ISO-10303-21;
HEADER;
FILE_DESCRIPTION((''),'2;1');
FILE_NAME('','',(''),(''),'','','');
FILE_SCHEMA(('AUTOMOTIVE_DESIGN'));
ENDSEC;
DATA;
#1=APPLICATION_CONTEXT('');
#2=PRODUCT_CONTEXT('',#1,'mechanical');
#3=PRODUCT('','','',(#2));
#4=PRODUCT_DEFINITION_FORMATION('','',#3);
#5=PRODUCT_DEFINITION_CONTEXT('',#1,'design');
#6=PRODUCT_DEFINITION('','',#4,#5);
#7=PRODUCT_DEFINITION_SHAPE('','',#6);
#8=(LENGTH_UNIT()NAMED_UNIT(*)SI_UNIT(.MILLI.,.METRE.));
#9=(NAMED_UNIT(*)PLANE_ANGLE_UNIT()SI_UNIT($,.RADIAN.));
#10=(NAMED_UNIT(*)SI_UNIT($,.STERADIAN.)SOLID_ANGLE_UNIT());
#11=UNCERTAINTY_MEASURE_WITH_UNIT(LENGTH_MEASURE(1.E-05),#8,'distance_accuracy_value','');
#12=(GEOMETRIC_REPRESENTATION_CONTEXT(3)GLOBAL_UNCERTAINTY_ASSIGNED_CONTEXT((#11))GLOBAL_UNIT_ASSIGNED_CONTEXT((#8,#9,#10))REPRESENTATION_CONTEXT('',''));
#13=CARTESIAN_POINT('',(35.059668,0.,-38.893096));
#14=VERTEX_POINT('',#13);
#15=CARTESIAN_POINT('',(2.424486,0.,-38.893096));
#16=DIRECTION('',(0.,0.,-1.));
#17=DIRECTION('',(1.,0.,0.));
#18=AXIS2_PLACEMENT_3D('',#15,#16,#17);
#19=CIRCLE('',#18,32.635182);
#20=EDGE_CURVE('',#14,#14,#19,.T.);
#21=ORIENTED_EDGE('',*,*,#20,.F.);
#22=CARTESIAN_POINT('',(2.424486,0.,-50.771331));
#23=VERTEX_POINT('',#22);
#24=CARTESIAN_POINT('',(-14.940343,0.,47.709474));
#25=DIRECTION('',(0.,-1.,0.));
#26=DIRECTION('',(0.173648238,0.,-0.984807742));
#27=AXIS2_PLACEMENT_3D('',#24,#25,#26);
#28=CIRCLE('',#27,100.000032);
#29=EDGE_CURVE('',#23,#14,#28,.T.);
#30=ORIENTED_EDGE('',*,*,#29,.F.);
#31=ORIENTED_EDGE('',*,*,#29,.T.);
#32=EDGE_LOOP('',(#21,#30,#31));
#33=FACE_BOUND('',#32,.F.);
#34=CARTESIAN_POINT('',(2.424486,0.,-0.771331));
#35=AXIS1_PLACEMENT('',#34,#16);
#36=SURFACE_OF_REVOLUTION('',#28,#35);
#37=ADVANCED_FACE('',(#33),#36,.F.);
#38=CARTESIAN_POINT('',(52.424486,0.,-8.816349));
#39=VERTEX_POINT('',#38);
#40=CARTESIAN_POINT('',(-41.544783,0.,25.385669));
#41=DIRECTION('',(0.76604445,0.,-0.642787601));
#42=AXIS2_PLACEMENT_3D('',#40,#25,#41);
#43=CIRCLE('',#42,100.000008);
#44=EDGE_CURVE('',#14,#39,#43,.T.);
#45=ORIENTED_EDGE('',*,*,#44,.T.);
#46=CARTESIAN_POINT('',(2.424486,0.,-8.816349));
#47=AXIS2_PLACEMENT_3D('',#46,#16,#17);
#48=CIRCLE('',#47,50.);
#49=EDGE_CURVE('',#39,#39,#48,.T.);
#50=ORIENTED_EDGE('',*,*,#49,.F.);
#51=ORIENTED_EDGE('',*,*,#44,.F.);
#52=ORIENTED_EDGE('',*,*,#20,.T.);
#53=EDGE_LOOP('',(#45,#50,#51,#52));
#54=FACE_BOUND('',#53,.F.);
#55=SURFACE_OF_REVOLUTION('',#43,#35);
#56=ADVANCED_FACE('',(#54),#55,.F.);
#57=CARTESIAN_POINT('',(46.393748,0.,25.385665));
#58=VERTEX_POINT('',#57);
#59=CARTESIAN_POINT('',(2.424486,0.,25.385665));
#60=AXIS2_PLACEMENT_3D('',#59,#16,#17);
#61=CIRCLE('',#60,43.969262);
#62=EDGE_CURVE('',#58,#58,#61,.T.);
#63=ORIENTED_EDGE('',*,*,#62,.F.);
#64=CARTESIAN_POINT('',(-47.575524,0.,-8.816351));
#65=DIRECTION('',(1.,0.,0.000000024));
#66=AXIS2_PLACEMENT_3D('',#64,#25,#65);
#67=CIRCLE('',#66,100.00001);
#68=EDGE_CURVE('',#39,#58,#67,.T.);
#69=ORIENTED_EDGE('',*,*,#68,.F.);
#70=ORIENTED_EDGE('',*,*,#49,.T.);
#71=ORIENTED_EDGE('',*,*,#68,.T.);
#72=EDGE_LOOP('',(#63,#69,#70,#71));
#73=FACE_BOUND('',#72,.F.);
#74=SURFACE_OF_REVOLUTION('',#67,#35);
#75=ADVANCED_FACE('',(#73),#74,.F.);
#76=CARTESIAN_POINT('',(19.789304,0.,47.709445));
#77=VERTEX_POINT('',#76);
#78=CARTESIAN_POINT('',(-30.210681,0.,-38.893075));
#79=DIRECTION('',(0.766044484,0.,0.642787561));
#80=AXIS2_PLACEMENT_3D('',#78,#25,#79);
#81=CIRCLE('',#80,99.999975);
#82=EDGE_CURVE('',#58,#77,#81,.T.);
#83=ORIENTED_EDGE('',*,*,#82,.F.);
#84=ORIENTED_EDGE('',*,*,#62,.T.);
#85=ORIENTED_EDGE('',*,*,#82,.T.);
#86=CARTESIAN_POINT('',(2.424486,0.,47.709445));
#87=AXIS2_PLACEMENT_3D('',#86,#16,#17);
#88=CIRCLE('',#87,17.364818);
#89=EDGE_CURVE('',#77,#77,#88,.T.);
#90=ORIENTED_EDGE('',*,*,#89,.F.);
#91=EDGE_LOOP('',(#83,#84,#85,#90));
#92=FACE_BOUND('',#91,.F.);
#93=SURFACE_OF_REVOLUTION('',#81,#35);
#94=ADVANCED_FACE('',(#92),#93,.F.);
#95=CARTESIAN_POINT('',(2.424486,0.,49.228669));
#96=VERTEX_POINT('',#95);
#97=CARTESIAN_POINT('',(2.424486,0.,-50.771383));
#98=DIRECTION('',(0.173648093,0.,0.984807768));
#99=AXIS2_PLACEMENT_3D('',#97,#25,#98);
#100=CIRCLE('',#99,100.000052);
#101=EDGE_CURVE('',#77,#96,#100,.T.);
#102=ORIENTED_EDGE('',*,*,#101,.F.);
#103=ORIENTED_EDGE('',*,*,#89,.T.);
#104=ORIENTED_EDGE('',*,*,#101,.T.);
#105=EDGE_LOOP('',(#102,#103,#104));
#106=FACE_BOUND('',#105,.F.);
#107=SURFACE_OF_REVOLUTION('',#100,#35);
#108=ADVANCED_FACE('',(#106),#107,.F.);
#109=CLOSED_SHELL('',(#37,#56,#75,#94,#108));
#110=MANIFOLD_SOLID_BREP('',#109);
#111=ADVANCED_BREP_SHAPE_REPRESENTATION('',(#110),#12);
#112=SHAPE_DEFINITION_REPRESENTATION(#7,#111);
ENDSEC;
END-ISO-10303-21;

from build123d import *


with BuildPart() as f1:
    # F0 (on Front) → F1 (revolve)
    with BuildSketch(Plane.XZ):
        with BuildLine():
            ThreePointArc((46.393748, 25.385665), (34.068065, 37.711349), (19.789304, 47.709445))
            ThreePointArc((19.789304, 47.709445), (11.14006, 48.848139), (2.424486, 49.228669))
            Line((2.424486, 49.228669), (2.424486, -50.771331))
            ThreePointArc((2.424486, -50.771331), (19.261683, -46.259817), (35.059668, -38.893096))
            ThreePointArc((35.059668, -38.893096), (45.057764, -24.614335), (52.424486, -8.816349))
            ThreePointArc((52.424486, -8.816349), (50.905261, 8.548469), (46.393748, 25.385665))
        make_face()
    revolve(axis=Axis((2.424486, 0, -0.771331), (0, 0, -1)))


solid = f1.part
